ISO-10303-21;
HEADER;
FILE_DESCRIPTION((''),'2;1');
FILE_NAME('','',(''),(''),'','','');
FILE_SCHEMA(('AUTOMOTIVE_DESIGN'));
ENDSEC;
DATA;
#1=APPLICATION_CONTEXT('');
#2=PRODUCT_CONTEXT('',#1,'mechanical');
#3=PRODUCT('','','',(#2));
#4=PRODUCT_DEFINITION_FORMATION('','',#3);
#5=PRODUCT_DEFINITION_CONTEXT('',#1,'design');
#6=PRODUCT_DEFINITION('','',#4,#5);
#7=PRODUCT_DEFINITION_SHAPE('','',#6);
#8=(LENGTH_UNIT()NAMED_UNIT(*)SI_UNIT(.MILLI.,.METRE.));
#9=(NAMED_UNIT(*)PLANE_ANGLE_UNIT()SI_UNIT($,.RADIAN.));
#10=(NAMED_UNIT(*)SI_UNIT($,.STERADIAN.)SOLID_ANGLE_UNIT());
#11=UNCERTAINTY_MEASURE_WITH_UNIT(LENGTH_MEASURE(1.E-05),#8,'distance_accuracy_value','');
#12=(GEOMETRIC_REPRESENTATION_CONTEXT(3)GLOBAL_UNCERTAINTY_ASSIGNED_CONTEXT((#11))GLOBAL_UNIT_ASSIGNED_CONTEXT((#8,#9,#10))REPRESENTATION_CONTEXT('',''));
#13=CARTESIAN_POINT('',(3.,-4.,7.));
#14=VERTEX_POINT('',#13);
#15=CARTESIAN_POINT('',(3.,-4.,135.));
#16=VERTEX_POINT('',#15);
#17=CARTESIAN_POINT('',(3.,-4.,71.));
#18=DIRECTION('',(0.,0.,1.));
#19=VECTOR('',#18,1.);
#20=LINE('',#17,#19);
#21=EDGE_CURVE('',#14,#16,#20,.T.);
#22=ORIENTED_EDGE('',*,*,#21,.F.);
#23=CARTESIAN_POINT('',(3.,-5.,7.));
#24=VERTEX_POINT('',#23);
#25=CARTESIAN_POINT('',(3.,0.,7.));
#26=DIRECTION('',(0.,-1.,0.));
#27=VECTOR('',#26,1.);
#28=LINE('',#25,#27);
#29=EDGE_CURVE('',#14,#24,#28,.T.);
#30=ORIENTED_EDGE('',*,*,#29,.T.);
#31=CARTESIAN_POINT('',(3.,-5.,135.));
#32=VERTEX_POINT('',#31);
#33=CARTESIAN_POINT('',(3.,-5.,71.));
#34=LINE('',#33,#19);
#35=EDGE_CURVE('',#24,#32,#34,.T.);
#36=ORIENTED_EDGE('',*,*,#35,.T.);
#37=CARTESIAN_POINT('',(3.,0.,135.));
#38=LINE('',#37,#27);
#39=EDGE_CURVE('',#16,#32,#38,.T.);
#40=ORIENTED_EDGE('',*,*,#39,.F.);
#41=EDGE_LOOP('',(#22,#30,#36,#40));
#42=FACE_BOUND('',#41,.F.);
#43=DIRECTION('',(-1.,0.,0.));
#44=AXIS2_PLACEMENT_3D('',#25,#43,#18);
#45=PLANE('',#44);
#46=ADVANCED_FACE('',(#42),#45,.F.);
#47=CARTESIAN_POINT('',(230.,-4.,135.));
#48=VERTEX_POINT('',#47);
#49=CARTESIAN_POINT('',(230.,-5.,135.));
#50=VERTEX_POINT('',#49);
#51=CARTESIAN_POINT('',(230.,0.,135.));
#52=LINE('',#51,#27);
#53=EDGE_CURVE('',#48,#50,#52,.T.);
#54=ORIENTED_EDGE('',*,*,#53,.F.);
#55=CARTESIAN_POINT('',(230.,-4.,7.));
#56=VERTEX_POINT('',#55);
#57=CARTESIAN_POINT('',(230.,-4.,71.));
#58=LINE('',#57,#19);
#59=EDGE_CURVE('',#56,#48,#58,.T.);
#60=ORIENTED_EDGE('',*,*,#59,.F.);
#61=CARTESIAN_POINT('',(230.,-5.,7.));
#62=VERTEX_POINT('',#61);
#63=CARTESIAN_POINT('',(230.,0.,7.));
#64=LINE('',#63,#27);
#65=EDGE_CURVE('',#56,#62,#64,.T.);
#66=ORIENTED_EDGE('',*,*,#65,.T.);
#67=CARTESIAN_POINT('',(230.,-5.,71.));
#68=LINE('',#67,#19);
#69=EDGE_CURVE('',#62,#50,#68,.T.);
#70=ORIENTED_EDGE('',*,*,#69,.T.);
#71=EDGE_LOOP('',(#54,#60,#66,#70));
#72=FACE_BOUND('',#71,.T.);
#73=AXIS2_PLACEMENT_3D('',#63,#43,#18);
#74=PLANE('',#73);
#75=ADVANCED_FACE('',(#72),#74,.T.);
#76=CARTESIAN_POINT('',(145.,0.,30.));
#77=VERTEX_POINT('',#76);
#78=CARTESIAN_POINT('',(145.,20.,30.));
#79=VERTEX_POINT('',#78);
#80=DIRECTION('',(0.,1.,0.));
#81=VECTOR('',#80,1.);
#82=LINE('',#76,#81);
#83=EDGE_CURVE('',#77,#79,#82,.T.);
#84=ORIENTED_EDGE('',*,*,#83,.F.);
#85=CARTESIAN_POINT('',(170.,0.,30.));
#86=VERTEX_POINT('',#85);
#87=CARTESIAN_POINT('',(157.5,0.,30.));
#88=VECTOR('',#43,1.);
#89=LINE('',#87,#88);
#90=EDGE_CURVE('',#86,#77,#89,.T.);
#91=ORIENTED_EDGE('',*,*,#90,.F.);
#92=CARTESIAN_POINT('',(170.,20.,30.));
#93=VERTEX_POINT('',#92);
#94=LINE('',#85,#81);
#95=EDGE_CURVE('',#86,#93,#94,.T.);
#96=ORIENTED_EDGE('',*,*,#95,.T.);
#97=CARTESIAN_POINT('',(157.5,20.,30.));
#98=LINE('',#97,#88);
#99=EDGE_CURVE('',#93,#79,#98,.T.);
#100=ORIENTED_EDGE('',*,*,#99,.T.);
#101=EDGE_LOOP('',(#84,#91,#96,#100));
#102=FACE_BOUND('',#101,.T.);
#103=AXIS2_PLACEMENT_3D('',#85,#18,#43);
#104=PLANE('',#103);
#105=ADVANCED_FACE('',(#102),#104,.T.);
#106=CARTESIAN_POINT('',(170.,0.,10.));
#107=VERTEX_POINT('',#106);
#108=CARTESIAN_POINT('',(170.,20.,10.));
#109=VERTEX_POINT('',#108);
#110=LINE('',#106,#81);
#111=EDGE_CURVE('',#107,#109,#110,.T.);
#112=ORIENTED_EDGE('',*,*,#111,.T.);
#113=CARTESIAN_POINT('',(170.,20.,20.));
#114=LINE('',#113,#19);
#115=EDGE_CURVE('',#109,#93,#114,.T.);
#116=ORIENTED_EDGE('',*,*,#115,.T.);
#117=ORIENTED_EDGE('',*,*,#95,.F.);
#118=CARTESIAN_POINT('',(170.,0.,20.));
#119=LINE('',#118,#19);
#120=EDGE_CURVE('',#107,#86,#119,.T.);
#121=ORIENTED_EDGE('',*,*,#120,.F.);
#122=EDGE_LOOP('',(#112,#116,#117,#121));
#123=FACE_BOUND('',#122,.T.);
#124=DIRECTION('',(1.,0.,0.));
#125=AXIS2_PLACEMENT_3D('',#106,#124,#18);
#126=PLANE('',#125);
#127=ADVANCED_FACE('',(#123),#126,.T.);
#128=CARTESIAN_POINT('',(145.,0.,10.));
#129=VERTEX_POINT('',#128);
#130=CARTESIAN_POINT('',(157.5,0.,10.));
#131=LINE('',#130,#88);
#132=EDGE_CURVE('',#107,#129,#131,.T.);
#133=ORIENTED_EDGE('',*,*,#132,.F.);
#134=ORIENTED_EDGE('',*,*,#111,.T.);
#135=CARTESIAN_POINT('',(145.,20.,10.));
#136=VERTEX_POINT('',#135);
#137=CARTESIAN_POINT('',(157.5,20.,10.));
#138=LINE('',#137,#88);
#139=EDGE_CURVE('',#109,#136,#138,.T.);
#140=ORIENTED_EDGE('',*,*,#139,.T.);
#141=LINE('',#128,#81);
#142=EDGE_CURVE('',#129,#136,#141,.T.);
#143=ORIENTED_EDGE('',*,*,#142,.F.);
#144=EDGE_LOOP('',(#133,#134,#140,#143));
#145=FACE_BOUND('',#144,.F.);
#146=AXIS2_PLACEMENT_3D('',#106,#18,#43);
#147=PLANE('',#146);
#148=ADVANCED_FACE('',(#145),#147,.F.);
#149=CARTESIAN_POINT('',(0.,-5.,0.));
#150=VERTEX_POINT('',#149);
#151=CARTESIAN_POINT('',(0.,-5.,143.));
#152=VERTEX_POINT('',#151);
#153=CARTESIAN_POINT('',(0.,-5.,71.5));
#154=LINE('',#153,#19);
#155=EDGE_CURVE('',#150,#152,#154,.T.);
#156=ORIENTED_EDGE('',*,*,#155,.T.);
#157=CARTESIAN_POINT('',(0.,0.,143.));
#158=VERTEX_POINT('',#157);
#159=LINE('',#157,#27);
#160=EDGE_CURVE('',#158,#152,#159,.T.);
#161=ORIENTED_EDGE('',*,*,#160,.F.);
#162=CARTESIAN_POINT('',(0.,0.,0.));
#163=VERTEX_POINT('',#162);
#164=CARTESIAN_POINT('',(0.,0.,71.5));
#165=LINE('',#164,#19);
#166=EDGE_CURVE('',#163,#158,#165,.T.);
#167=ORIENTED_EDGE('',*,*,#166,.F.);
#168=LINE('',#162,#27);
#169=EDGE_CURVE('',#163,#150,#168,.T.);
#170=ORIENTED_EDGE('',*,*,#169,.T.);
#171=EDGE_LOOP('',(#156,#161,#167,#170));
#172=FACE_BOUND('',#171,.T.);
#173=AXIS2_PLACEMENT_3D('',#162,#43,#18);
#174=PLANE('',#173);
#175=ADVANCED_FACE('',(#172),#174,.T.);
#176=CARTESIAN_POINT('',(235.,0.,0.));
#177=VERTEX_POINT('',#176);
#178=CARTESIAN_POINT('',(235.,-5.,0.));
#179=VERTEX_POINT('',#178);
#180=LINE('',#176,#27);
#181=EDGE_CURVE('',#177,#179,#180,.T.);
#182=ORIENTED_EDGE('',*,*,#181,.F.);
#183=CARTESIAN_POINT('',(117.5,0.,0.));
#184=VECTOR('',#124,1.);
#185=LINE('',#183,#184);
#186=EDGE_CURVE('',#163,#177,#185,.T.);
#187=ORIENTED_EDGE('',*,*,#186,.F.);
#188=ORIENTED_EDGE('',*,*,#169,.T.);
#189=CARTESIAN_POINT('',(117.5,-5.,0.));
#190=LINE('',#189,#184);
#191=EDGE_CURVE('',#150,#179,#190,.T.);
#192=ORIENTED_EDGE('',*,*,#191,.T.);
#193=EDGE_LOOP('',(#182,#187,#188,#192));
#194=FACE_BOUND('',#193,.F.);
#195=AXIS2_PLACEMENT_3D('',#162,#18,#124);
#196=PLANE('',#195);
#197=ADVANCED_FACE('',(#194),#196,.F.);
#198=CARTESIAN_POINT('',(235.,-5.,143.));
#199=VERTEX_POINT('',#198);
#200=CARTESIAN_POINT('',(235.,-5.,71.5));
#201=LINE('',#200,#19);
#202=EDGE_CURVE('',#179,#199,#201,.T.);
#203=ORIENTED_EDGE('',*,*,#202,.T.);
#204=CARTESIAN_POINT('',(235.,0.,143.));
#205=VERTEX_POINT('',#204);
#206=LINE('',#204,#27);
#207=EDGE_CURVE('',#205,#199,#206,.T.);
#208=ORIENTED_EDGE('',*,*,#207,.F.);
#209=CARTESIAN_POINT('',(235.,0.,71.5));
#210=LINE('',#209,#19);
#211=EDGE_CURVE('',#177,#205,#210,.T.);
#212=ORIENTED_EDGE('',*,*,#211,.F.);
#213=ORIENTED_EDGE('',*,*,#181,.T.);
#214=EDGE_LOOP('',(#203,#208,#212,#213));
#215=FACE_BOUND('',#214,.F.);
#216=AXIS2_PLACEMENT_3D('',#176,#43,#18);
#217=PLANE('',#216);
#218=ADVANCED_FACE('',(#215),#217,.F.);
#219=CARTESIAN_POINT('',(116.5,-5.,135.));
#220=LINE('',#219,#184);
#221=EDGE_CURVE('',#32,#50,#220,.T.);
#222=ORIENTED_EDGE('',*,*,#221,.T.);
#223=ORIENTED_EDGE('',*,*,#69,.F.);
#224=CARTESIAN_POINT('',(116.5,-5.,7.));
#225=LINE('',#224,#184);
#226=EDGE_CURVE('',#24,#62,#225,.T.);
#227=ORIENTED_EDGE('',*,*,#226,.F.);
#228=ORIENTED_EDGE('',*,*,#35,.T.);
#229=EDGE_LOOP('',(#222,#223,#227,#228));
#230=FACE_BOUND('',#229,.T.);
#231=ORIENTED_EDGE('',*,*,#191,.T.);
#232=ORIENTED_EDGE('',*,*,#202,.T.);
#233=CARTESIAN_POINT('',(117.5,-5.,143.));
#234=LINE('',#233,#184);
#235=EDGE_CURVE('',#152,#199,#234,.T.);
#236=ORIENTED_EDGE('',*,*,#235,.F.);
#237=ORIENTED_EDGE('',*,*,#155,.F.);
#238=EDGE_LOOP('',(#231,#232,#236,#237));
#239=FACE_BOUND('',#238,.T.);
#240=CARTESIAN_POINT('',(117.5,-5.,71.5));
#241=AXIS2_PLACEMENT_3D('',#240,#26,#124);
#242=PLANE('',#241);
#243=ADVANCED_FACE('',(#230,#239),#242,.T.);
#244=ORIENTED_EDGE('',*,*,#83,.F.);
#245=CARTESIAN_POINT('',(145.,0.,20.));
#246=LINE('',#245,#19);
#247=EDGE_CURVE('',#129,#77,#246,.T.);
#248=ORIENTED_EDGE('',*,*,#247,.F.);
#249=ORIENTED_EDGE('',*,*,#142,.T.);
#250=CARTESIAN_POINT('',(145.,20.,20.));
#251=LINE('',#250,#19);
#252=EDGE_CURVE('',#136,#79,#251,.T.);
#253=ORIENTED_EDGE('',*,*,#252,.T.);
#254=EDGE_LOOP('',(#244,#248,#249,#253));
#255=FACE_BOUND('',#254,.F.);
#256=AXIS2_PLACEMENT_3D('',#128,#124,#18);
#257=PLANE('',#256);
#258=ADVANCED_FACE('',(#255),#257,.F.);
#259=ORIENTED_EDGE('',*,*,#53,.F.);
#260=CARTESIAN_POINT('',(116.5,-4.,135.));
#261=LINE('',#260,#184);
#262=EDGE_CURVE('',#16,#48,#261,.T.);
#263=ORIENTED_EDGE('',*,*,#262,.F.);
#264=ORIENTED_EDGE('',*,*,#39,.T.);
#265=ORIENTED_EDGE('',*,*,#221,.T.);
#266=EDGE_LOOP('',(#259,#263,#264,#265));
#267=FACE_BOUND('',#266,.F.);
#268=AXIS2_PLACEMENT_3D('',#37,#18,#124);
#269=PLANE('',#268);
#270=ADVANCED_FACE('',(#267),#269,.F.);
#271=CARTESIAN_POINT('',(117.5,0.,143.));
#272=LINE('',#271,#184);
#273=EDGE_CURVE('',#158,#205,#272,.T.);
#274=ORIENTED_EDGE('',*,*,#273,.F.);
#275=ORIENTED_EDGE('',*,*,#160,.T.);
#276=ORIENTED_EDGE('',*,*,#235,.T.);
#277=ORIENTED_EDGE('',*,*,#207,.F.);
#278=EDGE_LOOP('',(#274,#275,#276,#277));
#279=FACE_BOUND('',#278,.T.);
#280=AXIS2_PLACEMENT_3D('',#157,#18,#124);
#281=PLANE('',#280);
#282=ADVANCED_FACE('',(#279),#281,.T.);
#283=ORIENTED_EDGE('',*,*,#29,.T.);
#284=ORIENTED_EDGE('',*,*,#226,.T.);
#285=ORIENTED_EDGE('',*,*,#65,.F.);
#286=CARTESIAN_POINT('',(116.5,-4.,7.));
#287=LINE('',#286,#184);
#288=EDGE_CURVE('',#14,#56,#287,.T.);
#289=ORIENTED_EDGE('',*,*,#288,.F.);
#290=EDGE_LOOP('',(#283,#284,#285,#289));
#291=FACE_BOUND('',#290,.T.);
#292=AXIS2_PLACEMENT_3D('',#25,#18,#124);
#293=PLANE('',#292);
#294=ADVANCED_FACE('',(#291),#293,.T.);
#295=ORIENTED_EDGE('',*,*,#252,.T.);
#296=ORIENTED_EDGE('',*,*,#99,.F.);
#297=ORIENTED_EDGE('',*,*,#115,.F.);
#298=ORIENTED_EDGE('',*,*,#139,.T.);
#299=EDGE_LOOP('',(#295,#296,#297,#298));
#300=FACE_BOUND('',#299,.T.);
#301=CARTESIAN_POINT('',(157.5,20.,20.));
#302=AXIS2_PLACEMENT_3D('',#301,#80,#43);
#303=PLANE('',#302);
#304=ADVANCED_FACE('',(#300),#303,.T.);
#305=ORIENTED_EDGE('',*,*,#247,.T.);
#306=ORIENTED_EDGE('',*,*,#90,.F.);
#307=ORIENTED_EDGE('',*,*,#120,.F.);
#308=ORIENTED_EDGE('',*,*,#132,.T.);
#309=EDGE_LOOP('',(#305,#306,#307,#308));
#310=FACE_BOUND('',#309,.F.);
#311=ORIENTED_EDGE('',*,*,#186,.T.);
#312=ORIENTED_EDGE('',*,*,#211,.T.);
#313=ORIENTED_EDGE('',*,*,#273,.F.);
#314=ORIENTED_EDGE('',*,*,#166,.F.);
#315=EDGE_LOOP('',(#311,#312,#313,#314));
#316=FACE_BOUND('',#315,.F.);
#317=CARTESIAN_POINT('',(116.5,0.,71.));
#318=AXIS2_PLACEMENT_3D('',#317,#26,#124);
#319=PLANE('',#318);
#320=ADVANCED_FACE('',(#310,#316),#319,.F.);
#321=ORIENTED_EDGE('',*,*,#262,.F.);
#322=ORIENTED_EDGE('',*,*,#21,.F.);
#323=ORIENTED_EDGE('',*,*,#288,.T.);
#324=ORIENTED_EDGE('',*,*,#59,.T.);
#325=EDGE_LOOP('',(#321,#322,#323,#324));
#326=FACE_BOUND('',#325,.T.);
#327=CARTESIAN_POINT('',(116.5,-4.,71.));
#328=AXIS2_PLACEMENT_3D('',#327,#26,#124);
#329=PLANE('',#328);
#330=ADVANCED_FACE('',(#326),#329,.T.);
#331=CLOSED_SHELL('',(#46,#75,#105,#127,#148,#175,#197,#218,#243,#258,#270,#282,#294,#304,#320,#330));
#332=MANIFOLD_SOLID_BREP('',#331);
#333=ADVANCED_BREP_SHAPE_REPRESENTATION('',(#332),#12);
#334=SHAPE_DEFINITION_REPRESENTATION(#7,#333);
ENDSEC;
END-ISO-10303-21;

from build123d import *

# Parameters (mm, degrees)
F0_W     = 235
F0_H     = 143
F0_W_2   = 227
F0_H_2   = 128
F1_DEPTH = 5
F2_W     = 227
F2_H     = 128
F3_DEPTH = 4
F4_W     = 25
F4_H     = 20
F5_DEPTH = 20


with BuildPart() as f1:
    # F0 (on Front) → F1 (new body)
    with BuildSketch(Plane.XZ):
        with Locations((117.5, 71.5)):
            Rectangle(F0_W, F0_H)
        with Locations((116.5, 71)):
            Rectangle(F0_W_2, F0_H_2, mode=Mode.SUBTRACT)
    extrude(amount=F1_DEPTH)

    # F2 (on Front) → F3 (join)
    with BuildSketch(Plane.XZ):
        with Locations((116.5, 71)):
            Rectangle(F2_W, F2_H)
    extrude(amount=F3_DEPTH)

    # F4 (on face) → F5 (join)
    with BuildSketch(Plane(origin=(0, 0, 0), x_dir=(-1, 0, 0), z_dir=(0, 1, 0))):
        with Locations((-157.5, 20)):
            Rectangle(F4_W, F4_H)
    extrude(amount=F5_DEPTH)


solid = f1.part
